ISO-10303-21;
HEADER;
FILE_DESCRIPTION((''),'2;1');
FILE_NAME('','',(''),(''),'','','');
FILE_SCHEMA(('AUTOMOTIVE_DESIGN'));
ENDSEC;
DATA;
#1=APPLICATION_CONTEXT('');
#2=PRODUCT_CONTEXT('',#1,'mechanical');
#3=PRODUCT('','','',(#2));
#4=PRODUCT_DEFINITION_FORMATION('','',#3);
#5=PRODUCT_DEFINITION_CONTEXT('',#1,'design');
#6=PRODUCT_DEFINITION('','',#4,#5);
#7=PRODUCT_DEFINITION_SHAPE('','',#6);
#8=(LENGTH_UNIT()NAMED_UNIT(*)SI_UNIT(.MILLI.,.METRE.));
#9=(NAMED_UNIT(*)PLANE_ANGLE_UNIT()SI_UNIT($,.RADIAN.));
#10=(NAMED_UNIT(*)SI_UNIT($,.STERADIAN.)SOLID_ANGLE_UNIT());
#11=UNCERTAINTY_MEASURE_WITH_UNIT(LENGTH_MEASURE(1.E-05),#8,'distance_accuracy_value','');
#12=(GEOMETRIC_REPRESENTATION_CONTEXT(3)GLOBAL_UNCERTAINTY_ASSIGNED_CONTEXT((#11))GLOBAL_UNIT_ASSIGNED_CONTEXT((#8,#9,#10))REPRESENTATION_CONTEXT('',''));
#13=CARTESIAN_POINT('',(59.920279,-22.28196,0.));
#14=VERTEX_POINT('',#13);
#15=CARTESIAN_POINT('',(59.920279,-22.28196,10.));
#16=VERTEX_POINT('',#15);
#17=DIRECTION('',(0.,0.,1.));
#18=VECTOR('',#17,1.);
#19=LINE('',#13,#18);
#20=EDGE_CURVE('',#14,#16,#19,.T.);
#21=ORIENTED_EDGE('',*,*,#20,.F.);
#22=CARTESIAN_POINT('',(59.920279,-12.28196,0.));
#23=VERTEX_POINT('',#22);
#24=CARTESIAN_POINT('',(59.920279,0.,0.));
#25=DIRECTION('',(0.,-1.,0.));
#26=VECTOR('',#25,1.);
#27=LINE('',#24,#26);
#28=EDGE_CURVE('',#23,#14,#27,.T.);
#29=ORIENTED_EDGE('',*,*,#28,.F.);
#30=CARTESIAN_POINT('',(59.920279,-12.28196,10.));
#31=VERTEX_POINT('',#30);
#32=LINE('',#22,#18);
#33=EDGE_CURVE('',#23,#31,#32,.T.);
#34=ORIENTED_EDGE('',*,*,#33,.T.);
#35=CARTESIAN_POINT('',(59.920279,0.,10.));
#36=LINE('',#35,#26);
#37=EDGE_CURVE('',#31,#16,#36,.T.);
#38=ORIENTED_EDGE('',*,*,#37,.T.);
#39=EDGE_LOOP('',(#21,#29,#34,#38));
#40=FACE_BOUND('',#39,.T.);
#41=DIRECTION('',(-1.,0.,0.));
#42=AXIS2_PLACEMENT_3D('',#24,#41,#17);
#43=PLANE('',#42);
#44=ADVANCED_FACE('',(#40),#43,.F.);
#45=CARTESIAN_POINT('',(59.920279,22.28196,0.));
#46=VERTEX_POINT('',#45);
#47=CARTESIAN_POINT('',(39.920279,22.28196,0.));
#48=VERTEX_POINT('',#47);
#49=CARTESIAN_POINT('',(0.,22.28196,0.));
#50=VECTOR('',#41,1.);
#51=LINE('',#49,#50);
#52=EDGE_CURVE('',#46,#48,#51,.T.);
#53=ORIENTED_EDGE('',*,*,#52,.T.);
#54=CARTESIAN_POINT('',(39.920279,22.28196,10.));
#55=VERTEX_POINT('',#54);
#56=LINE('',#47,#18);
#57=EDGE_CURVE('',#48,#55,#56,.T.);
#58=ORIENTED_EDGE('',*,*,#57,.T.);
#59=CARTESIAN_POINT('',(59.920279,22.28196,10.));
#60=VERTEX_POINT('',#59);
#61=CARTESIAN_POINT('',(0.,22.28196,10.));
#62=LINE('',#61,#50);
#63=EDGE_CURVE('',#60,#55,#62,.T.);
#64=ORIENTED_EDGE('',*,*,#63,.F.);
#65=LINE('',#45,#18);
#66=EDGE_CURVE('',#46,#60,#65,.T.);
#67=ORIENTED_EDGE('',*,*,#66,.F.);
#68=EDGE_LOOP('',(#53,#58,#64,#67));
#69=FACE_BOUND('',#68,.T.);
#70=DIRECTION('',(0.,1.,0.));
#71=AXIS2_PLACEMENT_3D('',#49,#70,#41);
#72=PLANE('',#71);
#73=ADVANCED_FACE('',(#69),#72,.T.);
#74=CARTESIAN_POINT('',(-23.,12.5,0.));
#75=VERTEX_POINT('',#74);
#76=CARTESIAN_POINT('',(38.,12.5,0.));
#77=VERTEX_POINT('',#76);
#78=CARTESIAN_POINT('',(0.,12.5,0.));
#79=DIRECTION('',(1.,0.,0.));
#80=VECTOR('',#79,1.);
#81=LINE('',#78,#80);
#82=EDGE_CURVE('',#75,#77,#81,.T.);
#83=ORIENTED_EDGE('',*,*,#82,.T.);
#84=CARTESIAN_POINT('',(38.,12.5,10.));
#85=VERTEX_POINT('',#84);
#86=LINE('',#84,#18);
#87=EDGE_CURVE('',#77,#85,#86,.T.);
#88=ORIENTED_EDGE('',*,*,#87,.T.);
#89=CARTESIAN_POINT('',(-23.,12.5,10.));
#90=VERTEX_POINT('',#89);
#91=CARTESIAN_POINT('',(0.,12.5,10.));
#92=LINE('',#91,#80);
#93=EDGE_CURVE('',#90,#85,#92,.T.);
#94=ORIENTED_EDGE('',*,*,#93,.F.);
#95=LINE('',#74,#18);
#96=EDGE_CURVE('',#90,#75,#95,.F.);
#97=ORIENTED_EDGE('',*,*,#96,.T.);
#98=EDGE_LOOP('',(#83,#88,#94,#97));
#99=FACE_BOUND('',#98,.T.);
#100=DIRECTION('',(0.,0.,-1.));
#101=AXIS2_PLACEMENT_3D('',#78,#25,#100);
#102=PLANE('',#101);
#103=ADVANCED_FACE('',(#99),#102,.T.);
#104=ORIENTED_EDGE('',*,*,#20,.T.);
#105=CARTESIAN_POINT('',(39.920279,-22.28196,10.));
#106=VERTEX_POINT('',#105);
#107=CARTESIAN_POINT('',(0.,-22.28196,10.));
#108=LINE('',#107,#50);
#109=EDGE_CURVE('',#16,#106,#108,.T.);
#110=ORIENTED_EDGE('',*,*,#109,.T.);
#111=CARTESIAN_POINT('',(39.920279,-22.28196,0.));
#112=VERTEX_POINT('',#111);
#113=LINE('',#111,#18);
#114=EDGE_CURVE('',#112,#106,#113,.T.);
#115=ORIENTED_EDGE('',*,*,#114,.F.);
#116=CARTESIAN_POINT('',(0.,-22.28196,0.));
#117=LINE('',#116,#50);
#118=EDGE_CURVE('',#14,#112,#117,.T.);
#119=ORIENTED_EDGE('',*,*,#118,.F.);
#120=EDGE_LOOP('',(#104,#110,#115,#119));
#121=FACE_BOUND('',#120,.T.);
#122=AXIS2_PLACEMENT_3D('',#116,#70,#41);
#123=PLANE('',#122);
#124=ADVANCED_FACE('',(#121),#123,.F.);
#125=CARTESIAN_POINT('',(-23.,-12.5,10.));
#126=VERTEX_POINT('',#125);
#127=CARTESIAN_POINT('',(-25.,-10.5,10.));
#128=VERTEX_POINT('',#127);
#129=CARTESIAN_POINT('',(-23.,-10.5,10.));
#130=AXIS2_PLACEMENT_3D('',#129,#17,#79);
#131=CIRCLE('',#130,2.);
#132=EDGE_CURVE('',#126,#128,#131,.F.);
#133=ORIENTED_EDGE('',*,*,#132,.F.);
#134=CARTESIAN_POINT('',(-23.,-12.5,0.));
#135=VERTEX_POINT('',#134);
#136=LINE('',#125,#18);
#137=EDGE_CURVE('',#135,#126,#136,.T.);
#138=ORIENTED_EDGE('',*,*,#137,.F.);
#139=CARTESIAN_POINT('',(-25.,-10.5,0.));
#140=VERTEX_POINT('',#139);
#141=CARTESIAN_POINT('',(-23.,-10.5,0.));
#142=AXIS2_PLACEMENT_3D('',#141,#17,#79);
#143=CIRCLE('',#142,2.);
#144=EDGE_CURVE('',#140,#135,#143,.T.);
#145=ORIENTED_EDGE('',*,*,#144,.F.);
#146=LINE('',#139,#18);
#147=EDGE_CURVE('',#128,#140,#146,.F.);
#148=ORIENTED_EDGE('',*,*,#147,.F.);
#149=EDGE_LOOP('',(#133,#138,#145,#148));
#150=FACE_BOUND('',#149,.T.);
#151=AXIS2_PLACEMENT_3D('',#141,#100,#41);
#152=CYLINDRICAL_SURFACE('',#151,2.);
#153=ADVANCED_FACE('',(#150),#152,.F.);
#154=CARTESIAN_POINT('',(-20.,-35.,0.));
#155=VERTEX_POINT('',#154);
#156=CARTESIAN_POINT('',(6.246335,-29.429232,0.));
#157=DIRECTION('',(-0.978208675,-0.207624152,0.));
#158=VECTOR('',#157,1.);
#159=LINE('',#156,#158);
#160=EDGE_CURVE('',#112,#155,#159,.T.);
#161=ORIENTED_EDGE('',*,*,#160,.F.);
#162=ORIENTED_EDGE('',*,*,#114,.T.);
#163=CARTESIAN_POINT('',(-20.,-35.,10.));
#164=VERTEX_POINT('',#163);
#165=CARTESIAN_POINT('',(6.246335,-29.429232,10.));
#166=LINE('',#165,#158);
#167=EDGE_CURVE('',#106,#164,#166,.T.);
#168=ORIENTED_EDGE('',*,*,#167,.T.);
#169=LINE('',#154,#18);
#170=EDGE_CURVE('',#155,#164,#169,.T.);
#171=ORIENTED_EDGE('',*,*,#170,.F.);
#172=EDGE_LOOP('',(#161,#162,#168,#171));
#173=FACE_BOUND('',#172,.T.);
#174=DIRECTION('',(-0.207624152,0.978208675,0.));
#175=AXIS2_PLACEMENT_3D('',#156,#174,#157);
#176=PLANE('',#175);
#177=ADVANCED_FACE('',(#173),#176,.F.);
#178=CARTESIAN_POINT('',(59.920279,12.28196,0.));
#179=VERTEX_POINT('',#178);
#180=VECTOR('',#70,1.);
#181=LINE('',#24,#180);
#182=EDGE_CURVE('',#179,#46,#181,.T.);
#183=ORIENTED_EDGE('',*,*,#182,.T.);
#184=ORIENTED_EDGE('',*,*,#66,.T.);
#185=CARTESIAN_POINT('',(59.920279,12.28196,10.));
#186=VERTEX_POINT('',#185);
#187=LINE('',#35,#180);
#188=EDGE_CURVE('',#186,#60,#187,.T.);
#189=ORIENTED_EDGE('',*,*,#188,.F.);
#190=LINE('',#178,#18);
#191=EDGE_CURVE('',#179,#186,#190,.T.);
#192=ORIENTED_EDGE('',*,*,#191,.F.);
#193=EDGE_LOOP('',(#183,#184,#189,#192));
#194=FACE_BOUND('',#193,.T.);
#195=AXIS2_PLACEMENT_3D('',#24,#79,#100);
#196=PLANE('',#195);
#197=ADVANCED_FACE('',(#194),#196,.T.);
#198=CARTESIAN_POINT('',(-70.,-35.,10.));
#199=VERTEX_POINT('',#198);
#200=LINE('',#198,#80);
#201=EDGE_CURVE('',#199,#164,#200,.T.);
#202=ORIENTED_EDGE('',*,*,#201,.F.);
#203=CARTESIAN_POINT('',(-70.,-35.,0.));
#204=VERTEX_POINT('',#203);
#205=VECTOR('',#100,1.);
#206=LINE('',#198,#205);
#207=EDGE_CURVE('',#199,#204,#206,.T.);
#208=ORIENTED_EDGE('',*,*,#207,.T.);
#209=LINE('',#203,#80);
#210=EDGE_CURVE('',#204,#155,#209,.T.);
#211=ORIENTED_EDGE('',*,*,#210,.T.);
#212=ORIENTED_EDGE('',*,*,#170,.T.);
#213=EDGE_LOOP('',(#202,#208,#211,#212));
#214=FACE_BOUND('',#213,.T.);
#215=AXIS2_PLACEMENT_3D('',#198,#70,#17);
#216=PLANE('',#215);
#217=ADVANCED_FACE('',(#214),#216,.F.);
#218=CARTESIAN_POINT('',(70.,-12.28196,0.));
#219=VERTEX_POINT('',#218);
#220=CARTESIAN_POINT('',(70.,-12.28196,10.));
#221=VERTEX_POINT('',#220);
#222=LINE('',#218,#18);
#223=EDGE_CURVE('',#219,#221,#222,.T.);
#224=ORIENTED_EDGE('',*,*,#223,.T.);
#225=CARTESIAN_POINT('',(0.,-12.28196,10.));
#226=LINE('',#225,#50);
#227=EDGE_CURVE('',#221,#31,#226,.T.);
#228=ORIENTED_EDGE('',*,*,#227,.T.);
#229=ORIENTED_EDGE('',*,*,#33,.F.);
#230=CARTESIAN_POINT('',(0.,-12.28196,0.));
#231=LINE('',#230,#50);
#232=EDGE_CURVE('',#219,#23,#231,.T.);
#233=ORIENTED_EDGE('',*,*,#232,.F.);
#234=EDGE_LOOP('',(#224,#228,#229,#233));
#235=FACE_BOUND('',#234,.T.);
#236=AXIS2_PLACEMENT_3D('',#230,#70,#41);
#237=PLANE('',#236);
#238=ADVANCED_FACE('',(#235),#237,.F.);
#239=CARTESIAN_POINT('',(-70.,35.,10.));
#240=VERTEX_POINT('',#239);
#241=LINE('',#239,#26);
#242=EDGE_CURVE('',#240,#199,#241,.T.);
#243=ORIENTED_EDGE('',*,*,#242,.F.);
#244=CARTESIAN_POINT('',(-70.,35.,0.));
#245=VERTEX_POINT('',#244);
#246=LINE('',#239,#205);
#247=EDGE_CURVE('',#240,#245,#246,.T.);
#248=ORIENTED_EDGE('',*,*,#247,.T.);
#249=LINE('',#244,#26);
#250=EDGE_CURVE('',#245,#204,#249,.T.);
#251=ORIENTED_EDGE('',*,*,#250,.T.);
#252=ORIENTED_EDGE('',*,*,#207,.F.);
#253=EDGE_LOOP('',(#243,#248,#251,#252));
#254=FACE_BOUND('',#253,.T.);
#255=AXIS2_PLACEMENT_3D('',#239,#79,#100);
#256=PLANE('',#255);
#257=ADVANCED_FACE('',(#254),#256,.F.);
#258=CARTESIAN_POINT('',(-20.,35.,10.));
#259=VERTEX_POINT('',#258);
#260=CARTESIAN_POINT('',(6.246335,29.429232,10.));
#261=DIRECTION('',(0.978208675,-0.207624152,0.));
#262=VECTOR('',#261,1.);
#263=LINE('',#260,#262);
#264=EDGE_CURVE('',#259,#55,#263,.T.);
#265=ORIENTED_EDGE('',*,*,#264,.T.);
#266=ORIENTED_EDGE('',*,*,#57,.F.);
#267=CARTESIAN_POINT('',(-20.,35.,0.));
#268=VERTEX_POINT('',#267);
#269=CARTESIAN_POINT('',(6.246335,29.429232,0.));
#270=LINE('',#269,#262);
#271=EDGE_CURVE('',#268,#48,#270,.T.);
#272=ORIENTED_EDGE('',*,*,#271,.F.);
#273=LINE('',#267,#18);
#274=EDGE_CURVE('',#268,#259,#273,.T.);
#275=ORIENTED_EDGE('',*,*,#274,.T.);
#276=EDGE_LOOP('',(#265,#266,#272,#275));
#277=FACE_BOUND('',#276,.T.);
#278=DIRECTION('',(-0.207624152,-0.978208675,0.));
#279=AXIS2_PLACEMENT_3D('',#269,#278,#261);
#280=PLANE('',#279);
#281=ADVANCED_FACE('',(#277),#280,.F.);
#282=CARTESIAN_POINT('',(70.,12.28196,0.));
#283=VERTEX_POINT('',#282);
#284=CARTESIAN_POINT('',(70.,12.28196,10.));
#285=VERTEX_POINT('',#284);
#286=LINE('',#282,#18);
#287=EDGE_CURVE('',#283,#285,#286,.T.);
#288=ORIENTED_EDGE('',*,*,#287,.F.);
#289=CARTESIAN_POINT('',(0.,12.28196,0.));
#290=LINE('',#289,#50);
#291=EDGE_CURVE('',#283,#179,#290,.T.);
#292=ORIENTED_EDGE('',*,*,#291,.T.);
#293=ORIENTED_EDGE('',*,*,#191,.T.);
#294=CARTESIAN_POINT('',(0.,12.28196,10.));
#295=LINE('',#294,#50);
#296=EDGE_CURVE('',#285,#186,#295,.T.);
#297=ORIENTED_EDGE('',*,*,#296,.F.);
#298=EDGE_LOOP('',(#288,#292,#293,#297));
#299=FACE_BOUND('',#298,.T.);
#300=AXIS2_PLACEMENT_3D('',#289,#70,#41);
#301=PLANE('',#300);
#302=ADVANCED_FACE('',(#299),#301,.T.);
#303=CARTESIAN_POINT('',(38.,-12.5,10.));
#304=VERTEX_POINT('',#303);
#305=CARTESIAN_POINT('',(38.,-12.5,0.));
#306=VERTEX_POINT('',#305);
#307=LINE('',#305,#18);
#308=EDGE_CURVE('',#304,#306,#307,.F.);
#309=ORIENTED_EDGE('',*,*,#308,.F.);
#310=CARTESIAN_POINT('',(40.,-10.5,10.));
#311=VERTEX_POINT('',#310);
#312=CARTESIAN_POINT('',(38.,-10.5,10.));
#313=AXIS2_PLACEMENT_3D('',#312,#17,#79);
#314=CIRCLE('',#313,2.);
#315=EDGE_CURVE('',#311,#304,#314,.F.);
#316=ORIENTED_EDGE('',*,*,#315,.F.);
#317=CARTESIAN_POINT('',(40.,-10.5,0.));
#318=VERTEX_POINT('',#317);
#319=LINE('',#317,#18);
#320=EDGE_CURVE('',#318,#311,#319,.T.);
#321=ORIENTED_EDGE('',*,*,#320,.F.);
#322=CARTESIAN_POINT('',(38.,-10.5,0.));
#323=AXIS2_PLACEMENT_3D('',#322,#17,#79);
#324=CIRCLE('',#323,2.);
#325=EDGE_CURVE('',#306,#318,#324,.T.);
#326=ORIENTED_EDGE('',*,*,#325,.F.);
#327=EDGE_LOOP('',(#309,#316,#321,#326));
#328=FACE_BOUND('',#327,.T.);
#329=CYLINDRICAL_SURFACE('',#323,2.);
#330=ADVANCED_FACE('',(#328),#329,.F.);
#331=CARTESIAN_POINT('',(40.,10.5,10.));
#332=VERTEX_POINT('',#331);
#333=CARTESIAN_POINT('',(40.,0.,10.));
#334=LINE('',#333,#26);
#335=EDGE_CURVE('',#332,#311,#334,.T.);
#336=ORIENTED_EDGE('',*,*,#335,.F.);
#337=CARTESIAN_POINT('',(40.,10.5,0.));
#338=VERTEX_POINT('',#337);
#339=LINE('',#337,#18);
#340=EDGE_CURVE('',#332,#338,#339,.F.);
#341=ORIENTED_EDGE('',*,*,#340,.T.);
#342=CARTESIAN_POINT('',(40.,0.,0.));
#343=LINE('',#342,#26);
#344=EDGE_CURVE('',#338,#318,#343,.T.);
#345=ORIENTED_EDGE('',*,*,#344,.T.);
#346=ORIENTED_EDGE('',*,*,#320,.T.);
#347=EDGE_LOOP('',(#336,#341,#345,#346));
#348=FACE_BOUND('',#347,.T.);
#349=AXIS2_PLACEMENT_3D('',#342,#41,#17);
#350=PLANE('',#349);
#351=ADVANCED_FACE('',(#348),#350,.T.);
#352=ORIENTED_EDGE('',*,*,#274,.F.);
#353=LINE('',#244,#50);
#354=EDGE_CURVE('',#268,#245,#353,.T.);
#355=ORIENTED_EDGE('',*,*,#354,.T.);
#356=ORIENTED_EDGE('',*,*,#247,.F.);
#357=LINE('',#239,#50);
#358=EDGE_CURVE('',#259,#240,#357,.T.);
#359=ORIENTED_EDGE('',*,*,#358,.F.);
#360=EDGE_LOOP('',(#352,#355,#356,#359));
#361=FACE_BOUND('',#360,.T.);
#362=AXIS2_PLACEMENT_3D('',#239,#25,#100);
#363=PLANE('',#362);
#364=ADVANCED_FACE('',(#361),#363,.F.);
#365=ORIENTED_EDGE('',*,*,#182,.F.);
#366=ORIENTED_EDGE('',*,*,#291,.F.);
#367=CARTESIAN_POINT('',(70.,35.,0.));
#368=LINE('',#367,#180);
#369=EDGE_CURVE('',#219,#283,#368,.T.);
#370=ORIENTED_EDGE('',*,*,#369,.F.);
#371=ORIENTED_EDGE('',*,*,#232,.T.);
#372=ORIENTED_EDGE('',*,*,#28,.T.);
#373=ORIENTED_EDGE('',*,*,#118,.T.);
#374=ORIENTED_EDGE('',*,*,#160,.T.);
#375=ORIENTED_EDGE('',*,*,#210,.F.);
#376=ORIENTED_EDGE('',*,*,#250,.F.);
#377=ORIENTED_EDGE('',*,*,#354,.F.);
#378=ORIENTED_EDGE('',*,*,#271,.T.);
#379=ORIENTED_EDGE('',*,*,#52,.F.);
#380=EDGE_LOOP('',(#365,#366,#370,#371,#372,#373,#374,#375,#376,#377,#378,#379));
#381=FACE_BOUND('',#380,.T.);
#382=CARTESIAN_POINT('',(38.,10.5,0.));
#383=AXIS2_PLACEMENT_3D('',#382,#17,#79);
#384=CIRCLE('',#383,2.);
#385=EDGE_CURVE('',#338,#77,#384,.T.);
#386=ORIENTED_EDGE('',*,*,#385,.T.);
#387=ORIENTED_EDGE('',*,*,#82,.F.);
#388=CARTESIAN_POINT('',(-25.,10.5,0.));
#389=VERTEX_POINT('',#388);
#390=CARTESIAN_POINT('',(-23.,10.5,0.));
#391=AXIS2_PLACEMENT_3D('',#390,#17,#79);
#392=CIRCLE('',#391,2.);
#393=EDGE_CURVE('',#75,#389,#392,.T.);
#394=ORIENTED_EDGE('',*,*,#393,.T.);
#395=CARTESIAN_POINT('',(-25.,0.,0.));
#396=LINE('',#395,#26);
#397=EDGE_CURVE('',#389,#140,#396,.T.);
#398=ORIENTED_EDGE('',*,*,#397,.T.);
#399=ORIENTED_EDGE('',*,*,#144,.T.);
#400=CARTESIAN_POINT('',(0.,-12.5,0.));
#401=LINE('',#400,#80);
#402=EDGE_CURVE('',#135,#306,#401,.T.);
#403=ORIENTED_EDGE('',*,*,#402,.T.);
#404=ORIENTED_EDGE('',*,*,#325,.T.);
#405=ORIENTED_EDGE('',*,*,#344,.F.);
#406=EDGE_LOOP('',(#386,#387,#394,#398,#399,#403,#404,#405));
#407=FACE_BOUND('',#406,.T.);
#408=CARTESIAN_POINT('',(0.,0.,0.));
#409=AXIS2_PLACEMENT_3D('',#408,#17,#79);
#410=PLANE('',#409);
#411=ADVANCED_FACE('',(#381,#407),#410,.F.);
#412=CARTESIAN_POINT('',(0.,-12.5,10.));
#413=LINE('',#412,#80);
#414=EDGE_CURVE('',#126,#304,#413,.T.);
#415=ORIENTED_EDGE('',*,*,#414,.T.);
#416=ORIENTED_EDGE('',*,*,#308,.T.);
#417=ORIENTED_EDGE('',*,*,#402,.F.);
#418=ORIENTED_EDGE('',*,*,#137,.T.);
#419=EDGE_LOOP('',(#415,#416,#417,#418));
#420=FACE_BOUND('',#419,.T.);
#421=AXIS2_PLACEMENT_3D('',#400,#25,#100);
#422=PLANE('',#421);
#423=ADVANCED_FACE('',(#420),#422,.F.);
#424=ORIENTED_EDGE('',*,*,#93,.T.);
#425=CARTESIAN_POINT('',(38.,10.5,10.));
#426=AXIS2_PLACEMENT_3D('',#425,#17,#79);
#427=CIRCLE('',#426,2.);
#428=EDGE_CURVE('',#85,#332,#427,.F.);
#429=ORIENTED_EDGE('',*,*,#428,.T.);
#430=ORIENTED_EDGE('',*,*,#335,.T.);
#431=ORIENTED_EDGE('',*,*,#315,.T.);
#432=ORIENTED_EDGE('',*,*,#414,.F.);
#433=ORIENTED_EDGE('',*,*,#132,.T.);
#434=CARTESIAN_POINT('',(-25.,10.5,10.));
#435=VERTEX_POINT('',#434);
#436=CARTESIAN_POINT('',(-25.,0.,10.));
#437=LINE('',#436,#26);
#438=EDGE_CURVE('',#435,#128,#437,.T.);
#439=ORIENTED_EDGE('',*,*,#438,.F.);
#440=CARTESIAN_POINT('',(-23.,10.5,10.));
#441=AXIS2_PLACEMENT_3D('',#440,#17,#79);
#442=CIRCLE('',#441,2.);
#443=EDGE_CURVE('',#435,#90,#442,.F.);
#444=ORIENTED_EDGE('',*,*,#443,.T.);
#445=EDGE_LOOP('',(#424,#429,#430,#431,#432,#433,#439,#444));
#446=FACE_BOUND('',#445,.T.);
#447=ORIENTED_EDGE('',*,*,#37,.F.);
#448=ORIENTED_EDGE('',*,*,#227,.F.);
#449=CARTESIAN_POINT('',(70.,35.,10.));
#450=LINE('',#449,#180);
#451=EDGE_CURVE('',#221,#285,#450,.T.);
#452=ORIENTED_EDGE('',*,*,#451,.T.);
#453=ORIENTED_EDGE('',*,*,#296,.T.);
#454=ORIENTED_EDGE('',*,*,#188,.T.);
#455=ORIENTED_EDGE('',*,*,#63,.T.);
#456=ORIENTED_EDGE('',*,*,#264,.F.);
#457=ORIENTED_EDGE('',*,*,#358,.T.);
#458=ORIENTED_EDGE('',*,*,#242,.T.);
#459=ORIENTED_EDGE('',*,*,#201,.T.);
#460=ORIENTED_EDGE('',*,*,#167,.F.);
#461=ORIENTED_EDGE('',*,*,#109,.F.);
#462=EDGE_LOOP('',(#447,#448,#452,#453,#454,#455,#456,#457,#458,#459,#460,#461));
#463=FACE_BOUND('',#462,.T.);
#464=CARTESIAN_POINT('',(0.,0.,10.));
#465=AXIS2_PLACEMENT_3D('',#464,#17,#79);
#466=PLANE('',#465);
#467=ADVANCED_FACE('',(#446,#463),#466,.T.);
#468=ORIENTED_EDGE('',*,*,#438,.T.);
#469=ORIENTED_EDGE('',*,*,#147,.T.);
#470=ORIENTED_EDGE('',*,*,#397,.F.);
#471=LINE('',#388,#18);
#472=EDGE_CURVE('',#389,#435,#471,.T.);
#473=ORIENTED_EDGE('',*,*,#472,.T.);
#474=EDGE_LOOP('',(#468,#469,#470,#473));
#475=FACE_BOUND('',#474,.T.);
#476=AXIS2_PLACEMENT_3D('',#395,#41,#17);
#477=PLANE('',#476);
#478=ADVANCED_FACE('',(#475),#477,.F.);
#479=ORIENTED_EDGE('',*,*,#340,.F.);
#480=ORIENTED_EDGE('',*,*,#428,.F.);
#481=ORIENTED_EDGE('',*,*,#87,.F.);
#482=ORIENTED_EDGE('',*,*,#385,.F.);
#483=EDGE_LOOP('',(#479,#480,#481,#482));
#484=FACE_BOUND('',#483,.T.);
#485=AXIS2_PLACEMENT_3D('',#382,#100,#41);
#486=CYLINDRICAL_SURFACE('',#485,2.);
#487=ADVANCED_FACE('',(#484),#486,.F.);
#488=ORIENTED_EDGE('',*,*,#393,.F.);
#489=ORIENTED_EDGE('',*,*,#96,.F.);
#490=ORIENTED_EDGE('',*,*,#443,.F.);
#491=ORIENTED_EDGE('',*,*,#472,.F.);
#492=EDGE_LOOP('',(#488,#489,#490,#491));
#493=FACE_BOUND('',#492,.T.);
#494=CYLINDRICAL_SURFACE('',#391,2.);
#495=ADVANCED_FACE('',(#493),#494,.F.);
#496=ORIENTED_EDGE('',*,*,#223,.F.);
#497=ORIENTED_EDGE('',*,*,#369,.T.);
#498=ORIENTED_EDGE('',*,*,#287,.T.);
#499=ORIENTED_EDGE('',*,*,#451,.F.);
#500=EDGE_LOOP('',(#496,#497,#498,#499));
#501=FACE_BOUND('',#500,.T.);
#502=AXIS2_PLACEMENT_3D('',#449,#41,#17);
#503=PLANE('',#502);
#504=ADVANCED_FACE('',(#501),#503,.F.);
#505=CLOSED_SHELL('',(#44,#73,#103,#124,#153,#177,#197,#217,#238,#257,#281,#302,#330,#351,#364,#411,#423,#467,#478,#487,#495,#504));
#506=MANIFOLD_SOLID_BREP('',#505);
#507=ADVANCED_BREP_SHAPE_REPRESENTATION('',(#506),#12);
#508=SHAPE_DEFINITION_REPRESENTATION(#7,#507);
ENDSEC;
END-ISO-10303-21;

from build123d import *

# Parameters (mm, degrees)
SKETCH_1_W          = 140
SKETCH_1_H          = 70
EXTRUDE_2_DEPTH     = 10
SKETCH_2_W          = 10.079720787
SKETCH_2_H          = 10
SKETCH_2_W_2        = 5
SKETCH_2_H_2        = 25
CUT_EXTRUDE_2_DEPTH = 10
FILLET_1_R          = 2


with BuildPart() as part:
    # 草图1 → 凸台-拉伸2 (new body)
    with BuildSketch(Plane.XY):
        Rectangle(SKETCH_1_W, SKETCH_1_H)
    extrude(amount=EXTRUDE_2_DEPTH)

    # 草图2 → 切除-拉伸2 (cut)
    with BuildSketch(Plane.XY.offset(10)):
        Polygon((39.920279213, 22.281959867), (59.920279213, 22.281959867), (70, 22.281959867), (70, 35), (-20, 35), align=None)
        with Locations((64.960139607, 17.281959867)):
            Rectangle(SKETCH_2_W, SKETCH_2_H)
        with Locations((64.960139607, -17.281959867)):
            Rectangle(SKETCH_2_W, SKETCH_2_H)
        Polygon((70, -22.281959867), (59.920279213, -22.281959867), (39.920279213, -22.281959867), (-20, -35), (70, -35), align=None)
        Polygon((40, -12.5), (40, 0), (40, 12.5), (-20, 12.5), (-20, -12.5), align=None)
        with Locations((-22.5, 0)):
            Rectangle(SKETCH_2_W_2, SKETCH_2_H_2)
    extrude(amount=-CUT_EXTRUDE_2_DEPTH, mode=Mode.SUBTRACT)

    # 圆角1
    fillet_1_edges = [part.edges().sort_by_distance(p)[0] for p in [
        (40, -12.5, 5),
        (-25, -12.5, 5),
        (-25, 12.5, 5),
        (40, 12.5, 5),
    ]]
    fillet(fillet_1_edges, radius=FILLET_1_R)


solid = part.part
